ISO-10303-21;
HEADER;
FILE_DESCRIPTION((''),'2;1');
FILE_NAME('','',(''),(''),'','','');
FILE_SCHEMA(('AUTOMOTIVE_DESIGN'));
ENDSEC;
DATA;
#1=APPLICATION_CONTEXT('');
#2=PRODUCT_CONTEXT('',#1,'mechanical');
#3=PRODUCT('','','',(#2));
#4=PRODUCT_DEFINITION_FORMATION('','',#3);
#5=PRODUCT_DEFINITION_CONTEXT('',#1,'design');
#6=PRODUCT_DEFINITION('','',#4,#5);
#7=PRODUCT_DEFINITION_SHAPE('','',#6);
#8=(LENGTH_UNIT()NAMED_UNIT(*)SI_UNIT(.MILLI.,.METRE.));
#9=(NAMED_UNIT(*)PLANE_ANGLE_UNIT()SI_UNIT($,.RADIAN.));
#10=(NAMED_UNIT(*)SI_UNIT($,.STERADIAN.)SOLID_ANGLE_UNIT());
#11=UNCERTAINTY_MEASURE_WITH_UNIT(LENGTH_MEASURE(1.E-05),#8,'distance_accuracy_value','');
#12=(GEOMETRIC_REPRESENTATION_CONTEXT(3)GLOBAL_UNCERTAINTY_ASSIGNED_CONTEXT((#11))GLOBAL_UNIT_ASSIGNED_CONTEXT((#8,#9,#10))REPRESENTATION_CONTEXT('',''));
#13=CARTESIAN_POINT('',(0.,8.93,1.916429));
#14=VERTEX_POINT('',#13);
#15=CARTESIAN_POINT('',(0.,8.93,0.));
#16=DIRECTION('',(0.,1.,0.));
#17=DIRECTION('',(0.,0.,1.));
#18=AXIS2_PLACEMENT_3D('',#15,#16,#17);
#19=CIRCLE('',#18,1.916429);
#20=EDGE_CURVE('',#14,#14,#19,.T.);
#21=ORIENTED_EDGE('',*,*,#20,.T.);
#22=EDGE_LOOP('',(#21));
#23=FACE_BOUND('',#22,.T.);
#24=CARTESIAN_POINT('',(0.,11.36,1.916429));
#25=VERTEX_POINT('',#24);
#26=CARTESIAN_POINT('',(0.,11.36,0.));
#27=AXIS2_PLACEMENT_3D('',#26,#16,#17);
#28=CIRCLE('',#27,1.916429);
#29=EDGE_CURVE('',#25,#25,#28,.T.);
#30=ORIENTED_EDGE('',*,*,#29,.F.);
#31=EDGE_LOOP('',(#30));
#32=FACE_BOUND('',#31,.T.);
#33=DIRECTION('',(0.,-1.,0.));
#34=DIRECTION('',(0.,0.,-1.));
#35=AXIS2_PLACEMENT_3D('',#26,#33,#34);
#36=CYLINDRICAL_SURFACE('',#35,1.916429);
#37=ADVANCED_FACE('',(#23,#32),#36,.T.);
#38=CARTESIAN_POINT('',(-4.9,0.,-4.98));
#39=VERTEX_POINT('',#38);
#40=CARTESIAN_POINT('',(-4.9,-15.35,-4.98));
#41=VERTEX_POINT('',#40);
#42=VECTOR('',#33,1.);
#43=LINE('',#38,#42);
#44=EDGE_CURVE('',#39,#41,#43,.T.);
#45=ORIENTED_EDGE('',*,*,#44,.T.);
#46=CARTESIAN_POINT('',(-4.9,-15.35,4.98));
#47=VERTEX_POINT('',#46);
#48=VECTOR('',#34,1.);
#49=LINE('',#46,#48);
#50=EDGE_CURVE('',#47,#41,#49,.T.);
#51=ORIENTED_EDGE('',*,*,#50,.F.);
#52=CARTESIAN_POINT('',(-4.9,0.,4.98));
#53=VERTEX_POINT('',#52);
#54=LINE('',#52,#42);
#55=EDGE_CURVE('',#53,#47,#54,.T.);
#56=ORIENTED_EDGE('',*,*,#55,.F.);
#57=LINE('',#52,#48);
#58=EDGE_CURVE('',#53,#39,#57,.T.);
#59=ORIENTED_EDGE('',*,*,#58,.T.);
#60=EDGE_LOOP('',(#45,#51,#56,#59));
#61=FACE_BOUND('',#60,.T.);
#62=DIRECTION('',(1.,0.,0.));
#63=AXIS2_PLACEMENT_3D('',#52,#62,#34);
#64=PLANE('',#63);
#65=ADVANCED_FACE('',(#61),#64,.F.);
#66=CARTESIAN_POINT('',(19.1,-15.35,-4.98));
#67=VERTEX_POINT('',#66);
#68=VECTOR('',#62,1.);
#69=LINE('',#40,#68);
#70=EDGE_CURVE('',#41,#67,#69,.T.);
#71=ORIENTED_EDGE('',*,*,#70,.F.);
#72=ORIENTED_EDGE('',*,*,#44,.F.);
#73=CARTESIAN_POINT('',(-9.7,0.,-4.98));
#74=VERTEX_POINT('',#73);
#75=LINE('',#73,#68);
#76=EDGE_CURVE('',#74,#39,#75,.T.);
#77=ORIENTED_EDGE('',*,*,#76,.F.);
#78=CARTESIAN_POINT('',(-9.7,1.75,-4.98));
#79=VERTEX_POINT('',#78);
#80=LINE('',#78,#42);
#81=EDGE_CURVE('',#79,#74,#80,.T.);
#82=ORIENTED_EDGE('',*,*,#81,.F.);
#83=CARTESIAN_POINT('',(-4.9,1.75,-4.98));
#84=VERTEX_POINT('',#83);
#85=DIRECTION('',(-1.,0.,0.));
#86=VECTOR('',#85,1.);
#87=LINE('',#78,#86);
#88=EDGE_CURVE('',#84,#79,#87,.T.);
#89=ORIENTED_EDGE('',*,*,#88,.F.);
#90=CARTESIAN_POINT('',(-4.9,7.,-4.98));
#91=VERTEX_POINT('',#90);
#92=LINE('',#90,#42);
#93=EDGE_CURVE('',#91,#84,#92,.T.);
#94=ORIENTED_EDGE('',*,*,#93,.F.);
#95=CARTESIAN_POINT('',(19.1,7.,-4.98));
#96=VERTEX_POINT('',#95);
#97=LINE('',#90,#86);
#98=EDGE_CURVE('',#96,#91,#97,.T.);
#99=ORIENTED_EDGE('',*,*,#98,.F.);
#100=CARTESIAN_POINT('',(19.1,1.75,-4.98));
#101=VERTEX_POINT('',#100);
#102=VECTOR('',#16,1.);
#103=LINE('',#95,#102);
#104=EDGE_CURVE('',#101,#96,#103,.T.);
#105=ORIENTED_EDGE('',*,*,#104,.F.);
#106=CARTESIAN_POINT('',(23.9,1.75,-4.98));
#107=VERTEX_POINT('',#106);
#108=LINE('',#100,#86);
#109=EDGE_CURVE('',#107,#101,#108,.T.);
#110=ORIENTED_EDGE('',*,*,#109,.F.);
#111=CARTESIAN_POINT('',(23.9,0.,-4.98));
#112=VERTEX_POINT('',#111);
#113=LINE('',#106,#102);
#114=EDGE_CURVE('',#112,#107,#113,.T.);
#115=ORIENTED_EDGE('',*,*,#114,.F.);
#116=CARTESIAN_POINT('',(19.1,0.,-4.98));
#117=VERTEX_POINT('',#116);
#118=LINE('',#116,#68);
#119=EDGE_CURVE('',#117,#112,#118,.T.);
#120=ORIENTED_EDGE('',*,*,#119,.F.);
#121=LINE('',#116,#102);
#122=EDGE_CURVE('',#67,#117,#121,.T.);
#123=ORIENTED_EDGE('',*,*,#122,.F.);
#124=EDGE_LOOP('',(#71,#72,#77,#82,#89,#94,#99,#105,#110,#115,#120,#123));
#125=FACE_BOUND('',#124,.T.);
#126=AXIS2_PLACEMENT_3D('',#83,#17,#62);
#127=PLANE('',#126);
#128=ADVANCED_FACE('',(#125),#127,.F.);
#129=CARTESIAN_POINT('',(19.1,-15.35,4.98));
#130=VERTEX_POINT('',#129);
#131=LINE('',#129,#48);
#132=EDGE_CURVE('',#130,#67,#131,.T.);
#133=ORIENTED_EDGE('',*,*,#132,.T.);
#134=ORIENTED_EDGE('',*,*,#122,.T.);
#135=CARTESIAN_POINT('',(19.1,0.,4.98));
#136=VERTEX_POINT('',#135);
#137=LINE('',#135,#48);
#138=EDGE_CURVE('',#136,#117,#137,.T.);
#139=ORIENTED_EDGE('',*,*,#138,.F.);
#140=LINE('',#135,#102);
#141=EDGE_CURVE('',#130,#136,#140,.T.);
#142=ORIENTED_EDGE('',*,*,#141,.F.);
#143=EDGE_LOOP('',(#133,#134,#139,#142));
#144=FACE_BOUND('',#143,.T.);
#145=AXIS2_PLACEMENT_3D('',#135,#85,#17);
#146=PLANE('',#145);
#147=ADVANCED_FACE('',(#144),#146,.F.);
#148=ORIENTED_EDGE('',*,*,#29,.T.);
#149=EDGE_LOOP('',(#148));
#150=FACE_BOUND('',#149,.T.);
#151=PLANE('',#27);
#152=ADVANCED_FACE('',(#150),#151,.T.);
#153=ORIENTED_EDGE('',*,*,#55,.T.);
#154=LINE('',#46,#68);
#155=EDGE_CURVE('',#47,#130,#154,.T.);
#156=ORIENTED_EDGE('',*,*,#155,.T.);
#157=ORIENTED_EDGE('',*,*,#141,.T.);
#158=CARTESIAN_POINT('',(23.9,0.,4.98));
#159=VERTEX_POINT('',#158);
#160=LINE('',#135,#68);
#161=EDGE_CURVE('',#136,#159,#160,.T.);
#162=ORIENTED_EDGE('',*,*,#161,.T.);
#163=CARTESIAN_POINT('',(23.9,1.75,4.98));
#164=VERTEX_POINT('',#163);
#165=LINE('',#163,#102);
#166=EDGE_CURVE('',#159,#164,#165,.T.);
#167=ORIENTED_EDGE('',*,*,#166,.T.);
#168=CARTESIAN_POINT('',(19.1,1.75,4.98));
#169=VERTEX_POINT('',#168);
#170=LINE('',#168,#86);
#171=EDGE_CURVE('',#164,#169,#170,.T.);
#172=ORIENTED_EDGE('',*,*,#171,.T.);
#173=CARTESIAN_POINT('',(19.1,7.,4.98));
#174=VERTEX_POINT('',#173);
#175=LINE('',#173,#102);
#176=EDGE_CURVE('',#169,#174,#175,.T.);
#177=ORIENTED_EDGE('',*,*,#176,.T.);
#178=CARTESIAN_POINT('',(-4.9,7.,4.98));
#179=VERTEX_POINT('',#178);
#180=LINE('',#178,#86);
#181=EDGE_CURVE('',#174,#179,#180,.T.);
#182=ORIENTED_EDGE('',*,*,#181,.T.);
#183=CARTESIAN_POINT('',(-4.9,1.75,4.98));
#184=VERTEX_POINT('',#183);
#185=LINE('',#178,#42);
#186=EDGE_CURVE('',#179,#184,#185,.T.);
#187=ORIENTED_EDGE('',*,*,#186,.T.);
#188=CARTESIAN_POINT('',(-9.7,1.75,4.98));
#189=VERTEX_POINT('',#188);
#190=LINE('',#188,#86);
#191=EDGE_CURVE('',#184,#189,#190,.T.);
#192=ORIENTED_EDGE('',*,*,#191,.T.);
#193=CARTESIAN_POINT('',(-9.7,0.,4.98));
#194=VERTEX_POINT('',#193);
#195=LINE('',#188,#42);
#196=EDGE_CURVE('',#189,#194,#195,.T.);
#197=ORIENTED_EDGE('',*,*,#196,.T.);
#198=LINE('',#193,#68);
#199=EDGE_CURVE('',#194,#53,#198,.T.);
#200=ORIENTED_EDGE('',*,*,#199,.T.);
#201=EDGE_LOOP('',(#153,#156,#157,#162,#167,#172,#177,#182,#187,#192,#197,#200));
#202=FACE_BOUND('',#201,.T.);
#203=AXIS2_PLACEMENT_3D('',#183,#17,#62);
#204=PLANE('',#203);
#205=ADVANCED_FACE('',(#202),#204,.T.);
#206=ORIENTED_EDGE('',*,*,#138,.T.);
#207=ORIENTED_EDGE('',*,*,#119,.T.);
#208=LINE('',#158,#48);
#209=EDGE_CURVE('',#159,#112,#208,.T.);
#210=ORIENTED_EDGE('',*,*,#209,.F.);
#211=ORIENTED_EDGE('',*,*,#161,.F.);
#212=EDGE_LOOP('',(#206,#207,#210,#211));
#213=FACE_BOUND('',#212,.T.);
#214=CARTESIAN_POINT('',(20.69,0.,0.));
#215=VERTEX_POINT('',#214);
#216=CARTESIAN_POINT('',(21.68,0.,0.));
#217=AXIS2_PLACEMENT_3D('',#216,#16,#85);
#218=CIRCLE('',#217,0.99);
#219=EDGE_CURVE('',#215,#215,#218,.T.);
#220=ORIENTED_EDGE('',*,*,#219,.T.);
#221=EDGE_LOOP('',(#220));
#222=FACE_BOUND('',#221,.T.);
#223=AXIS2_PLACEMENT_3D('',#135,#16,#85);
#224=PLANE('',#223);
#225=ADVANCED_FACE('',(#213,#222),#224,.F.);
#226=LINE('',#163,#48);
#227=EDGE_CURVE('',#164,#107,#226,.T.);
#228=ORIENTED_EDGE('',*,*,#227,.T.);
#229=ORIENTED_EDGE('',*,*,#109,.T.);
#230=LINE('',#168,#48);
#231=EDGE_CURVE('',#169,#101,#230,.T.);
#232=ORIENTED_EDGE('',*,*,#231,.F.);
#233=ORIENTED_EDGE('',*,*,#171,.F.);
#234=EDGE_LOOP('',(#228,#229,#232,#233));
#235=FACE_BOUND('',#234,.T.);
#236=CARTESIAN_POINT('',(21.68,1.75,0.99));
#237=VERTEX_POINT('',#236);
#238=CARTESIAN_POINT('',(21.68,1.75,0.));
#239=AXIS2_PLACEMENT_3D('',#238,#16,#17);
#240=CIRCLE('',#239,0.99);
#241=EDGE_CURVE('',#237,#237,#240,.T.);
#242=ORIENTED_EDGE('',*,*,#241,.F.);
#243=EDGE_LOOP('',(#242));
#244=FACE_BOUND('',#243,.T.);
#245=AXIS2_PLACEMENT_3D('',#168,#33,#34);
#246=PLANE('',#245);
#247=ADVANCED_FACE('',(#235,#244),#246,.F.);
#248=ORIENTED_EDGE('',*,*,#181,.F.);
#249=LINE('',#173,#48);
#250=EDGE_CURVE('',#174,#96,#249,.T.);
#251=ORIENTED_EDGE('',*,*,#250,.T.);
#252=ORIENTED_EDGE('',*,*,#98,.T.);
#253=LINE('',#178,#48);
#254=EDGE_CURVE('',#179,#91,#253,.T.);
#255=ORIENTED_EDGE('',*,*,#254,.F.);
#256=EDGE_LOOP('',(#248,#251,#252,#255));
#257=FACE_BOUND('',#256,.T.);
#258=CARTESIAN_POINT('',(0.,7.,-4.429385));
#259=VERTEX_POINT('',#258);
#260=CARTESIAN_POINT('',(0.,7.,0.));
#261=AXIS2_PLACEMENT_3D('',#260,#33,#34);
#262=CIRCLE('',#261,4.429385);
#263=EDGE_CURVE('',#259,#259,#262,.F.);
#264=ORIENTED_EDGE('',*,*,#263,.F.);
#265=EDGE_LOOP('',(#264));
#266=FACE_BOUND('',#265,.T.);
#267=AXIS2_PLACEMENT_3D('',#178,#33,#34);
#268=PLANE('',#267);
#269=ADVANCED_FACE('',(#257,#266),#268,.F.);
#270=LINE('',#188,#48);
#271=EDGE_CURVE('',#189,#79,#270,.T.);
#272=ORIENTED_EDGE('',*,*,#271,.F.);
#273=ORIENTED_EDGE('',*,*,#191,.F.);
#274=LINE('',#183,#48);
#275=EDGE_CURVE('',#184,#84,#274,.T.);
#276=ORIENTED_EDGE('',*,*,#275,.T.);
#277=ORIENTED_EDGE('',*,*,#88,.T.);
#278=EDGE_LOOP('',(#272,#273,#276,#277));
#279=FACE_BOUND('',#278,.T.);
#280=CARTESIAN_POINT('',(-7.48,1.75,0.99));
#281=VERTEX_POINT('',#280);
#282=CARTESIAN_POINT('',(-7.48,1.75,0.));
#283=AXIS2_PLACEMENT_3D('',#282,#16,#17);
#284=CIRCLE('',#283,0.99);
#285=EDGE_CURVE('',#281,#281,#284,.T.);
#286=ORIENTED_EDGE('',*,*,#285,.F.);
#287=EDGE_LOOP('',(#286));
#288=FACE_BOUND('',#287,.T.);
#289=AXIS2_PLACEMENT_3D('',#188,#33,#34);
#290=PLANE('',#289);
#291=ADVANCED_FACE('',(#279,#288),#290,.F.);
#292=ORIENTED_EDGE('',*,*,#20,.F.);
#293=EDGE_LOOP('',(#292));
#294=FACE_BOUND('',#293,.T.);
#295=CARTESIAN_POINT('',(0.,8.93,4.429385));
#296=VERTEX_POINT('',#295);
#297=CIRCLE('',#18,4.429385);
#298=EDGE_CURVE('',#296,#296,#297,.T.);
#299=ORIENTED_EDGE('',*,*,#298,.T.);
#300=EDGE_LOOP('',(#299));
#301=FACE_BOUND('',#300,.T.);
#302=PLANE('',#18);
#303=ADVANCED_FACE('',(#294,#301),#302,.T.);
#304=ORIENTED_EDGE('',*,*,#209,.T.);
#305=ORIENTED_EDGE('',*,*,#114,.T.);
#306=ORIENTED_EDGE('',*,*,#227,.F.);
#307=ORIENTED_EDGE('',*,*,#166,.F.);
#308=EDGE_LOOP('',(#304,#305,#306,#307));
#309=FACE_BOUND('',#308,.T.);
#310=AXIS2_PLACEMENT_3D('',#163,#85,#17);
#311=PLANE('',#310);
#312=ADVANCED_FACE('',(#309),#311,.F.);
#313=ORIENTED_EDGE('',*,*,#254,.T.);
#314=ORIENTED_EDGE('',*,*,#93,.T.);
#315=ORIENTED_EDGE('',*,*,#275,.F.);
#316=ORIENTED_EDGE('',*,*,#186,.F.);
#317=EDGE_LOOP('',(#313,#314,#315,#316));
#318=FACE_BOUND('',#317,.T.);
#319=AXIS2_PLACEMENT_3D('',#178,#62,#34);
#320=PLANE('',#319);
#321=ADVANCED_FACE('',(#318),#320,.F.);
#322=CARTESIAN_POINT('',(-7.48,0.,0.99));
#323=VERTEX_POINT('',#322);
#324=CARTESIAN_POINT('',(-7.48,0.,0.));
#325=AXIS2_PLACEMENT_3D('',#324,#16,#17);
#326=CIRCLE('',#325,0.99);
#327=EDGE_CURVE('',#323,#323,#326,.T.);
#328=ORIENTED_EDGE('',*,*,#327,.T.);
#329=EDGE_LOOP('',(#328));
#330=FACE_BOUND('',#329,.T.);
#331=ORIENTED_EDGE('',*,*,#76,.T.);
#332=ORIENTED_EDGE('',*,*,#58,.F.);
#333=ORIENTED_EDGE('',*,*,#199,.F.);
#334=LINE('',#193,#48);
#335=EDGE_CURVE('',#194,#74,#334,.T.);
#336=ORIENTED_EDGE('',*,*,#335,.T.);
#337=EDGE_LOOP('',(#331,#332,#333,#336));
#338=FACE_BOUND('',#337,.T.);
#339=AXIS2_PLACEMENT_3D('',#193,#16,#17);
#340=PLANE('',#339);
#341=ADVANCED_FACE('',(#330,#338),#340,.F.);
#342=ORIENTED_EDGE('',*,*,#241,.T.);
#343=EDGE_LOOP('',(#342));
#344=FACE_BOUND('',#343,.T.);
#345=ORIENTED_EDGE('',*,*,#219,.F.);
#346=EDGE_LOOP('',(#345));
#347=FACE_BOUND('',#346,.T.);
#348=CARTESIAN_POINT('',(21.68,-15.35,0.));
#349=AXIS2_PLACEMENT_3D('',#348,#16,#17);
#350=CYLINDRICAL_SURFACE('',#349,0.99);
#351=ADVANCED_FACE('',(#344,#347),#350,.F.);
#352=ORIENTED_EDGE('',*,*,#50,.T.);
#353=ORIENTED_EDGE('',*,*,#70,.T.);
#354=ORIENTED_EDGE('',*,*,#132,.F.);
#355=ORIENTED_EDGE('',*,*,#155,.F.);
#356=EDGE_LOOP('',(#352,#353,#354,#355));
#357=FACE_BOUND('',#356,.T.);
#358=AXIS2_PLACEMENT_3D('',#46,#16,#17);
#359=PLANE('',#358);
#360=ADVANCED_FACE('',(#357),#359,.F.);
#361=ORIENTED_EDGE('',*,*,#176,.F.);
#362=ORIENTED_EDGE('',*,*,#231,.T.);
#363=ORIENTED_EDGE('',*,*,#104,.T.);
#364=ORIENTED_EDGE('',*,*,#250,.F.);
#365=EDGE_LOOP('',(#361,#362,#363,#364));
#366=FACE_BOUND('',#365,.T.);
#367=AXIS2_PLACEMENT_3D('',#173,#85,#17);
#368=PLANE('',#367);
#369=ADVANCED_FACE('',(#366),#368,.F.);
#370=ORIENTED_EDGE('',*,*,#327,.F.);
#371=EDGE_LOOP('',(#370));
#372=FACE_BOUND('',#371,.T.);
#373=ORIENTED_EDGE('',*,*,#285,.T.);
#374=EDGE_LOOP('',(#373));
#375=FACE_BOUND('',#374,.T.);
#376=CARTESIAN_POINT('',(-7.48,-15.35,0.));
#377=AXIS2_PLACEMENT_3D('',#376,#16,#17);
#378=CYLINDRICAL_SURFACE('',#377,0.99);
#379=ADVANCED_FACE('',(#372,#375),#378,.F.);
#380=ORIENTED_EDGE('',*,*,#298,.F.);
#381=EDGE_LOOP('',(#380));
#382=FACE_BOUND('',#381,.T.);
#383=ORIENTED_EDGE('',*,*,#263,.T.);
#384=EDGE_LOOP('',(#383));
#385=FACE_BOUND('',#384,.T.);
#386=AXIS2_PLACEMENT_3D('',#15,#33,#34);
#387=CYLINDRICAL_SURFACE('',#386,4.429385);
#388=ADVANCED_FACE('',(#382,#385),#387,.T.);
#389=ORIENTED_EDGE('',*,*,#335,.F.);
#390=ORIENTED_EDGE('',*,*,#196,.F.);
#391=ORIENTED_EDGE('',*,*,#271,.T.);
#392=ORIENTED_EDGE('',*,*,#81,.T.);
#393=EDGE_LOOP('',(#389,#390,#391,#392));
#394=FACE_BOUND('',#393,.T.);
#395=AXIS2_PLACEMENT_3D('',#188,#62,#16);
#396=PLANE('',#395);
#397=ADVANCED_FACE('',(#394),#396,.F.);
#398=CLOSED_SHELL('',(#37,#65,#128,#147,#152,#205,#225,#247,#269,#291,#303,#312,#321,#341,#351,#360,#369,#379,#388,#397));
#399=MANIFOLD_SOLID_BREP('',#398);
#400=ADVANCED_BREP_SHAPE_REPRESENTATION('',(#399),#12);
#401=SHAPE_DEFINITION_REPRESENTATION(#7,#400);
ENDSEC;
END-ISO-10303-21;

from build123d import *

# Parameters (mm, degrees)
BOSS_EXTRUDE1_DEPTH = 4.98
SKETCH2_R           = 0.99
CUT_EXTRUDE1_DEPTH  = 18.1
SKETCH3_R           = 4.42938454
BOSS_EXTRUDE2_DEPTH = 1.93
SKETCH4_R           = 1.916429151
BOSS_EXTRUDE3_DEPTH = 2.43


with BuildPart() as part:
    # Sketch1 → Boss-Extrude1 (new body, symmetric)
    with BuildSketch(Plane.XY):
        Polygon((19.1, 1.75), (23.9, 1.75), (23.9, 0), (19.1, 0), (19.1, -15.35), (-4.9, -15.35), (-4.9, 0), (-9.7, 0), (-9.7, 1.75), (-4.9, 1.75), (-4.9, 7), (19.1, 7), align=None)
    extrude(amount=BOSS_EXTRUDE1_DEPTH, both=True)

    # Sketch2 → Cut-Extrude1 (cut, through all)
    with BuildSketch(Plane(origin=(0, 1.75, 0), x_dir=(1, 0, 0), z_dir=(0, 1, 0))):
        with Locations((-7.48, 0)):
            Circle(SKETCH2_R)
        with Locations((21.68, 0)):
            Circle(SKETCH2_R)
    extrude(amount=-CUT_EXTRUDE1_DEPTH, mode=Mode.SUBTRACT)

    # Sketch3 → Boss-Extrude2 (add)
    with BuildSketch(Plane(origin=(0, 7, 0), x_dir=(1, 0, 0), z_dir=(0, 1, 0))):
        Circle(SKETCH3_R)
    extrude(amount=BOSS_EXTRUDE2_DEPTH)

    # Sketch4 → Boss-Extrude3 (add)
    with BuildSketch(Plane(origin=(0, 8.93, 0), x_dir=(1, 0, 0), z_dir=(0, 1, 0))):
        Circle(SKETCH4_R)
    extrude(amount=BOSS_EXTRUDE3_DEPTH)


solid = part.part
